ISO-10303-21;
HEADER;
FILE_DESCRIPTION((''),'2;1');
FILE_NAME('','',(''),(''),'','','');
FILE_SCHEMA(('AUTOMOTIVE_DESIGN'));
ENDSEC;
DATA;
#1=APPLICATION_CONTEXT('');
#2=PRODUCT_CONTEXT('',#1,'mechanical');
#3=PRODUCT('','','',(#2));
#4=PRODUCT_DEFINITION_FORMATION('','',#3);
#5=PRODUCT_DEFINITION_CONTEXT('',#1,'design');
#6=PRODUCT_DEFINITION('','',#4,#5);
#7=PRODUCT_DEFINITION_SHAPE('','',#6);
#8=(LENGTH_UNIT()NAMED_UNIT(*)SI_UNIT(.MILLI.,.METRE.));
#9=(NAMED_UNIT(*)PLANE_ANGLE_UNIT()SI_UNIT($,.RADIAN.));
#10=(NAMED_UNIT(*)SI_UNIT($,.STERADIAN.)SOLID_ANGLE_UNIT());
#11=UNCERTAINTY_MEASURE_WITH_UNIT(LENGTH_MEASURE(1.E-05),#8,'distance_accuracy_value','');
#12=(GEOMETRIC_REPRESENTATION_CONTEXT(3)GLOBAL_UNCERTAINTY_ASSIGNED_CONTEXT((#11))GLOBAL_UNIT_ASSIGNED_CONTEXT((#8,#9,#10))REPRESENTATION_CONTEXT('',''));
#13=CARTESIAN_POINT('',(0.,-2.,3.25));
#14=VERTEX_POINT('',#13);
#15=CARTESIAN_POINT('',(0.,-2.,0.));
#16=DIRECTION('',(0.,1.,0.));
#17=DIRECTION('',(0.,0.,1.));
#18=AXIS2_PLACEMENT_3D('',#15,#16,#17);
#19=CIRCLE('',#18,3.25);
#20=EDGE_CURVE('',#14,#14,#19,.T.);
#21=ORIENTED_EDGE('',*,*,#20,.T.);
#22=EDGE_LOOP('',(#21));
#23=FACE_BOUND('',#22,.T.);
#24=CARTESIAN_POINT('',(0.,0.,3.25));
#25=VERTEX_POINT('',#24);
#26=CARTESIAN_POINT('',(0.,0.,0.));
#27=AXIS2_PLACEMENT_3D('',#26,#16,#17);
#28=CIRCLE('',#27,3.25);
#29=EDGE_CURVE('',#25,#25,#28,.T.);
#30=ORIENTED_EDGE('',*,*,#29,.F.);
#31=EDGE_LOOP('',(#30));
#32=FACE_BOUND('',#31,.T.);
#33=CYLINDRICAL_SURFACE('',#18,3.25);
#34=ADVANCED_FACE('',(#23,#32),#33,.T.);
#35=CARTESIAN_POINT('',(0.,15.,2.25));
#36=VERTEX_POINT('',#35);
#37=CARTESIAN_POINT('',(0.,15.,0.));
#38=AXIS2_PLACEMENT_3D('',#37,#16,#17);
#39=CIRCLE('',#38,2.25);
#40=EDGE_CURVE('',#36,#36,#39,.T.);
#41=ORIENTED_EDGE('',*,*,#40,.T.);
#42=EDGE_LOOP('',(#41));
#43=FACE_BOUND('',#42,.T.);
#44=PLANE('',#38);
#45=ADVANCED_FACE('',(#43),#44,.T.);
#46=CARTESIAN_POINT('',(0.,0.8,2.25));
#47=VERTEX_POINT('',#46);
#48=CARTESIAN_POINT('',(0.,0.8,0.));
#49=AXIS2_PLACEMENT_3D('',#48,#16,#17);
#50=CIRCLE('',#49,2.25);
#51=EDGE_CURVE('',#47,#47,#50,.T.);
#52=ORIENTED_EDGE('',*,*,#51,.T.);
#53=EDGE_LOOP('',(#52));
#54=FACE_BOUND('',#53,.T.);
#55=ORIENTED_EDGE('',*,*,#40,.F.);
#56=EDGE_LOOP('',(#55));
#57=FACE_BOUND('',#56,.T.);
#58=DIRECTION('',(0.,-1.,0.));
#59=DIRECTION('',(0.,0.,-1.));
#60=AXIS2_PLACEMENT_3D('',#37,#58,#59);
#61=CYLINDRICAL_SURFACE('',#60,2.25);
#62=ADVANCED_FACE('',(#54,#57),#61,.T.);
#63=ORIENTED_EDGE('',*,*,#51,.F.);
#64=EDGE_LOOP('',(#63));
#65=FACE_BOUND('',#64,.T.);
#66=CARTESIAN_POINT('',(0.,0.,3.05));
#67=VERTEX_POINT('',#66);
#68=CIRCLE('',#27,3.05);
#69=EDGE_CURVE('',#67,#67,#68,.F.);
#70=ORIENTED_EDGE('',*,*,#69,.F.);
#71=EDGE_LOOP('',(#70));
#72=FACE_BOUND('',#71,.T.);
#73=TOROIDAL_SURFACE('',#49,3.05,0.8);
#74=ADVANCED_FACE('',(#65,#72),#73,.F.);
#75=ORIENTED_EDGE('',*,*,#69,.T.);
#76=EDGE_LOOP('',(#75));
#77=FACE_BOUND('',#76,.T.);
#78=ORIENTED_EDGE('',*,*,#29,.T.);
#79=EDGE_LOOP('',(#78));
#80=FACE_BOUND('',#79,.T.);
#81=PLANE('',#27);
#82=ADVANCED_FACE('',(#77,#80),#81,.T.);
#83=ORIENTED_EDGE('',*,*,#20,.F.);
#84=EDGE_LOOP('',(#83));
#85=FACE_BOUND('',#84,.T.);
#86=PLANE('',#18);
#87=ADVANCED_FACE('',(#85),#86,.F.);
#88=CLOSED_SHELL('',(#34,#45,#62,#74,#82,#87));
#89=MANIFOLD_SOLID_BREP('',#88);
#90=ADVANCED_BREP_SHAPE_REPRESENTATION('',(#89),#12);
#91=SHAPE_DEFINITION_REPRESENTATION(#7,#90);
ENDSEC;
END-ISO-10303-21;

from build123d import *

# Parameters (mm, degrees)
SKETCH2_R           = 2.25
BOSS_EXTRUDE1_DEPTH = 15
SKETCH2_3_R         = 3.25
BOSS_EXTRUDE2_DEPTH = 2
FILLET1_R           = 0.8


with BuildPart() as part:
    # Sketch2 → Boss-Extrude1 (new body)
    with BuildSketch(Plane(origin=(0, 0, 0), x_dir=(1, 0, 0), z_dir=(0, 1, 0))):
        Circle(SKETCH2_R)
    extrude(amount=BOSS_EXTRUDE1_DEPTH)

    # Sketch2<3> → Boss-Extrude2 (add)
    with BuildSketch(Plane(origin=(0, 0, 0), x_dir=(1, 0, 0), z_dir=(0, 1, 0))):
        Circle(SKETCH2_3_R)
    extrude(amount=-BOSS_EXTRUDE2_DEPTH)

    # Fillet1
    fillet1_edges = [part.edges().sort_by_distance(p)[0] for p in [
        (-2.25, 0, 0),
    ]]
    fillet(fillet1_edges, radius=FILLET1_R)


solid = part.part
